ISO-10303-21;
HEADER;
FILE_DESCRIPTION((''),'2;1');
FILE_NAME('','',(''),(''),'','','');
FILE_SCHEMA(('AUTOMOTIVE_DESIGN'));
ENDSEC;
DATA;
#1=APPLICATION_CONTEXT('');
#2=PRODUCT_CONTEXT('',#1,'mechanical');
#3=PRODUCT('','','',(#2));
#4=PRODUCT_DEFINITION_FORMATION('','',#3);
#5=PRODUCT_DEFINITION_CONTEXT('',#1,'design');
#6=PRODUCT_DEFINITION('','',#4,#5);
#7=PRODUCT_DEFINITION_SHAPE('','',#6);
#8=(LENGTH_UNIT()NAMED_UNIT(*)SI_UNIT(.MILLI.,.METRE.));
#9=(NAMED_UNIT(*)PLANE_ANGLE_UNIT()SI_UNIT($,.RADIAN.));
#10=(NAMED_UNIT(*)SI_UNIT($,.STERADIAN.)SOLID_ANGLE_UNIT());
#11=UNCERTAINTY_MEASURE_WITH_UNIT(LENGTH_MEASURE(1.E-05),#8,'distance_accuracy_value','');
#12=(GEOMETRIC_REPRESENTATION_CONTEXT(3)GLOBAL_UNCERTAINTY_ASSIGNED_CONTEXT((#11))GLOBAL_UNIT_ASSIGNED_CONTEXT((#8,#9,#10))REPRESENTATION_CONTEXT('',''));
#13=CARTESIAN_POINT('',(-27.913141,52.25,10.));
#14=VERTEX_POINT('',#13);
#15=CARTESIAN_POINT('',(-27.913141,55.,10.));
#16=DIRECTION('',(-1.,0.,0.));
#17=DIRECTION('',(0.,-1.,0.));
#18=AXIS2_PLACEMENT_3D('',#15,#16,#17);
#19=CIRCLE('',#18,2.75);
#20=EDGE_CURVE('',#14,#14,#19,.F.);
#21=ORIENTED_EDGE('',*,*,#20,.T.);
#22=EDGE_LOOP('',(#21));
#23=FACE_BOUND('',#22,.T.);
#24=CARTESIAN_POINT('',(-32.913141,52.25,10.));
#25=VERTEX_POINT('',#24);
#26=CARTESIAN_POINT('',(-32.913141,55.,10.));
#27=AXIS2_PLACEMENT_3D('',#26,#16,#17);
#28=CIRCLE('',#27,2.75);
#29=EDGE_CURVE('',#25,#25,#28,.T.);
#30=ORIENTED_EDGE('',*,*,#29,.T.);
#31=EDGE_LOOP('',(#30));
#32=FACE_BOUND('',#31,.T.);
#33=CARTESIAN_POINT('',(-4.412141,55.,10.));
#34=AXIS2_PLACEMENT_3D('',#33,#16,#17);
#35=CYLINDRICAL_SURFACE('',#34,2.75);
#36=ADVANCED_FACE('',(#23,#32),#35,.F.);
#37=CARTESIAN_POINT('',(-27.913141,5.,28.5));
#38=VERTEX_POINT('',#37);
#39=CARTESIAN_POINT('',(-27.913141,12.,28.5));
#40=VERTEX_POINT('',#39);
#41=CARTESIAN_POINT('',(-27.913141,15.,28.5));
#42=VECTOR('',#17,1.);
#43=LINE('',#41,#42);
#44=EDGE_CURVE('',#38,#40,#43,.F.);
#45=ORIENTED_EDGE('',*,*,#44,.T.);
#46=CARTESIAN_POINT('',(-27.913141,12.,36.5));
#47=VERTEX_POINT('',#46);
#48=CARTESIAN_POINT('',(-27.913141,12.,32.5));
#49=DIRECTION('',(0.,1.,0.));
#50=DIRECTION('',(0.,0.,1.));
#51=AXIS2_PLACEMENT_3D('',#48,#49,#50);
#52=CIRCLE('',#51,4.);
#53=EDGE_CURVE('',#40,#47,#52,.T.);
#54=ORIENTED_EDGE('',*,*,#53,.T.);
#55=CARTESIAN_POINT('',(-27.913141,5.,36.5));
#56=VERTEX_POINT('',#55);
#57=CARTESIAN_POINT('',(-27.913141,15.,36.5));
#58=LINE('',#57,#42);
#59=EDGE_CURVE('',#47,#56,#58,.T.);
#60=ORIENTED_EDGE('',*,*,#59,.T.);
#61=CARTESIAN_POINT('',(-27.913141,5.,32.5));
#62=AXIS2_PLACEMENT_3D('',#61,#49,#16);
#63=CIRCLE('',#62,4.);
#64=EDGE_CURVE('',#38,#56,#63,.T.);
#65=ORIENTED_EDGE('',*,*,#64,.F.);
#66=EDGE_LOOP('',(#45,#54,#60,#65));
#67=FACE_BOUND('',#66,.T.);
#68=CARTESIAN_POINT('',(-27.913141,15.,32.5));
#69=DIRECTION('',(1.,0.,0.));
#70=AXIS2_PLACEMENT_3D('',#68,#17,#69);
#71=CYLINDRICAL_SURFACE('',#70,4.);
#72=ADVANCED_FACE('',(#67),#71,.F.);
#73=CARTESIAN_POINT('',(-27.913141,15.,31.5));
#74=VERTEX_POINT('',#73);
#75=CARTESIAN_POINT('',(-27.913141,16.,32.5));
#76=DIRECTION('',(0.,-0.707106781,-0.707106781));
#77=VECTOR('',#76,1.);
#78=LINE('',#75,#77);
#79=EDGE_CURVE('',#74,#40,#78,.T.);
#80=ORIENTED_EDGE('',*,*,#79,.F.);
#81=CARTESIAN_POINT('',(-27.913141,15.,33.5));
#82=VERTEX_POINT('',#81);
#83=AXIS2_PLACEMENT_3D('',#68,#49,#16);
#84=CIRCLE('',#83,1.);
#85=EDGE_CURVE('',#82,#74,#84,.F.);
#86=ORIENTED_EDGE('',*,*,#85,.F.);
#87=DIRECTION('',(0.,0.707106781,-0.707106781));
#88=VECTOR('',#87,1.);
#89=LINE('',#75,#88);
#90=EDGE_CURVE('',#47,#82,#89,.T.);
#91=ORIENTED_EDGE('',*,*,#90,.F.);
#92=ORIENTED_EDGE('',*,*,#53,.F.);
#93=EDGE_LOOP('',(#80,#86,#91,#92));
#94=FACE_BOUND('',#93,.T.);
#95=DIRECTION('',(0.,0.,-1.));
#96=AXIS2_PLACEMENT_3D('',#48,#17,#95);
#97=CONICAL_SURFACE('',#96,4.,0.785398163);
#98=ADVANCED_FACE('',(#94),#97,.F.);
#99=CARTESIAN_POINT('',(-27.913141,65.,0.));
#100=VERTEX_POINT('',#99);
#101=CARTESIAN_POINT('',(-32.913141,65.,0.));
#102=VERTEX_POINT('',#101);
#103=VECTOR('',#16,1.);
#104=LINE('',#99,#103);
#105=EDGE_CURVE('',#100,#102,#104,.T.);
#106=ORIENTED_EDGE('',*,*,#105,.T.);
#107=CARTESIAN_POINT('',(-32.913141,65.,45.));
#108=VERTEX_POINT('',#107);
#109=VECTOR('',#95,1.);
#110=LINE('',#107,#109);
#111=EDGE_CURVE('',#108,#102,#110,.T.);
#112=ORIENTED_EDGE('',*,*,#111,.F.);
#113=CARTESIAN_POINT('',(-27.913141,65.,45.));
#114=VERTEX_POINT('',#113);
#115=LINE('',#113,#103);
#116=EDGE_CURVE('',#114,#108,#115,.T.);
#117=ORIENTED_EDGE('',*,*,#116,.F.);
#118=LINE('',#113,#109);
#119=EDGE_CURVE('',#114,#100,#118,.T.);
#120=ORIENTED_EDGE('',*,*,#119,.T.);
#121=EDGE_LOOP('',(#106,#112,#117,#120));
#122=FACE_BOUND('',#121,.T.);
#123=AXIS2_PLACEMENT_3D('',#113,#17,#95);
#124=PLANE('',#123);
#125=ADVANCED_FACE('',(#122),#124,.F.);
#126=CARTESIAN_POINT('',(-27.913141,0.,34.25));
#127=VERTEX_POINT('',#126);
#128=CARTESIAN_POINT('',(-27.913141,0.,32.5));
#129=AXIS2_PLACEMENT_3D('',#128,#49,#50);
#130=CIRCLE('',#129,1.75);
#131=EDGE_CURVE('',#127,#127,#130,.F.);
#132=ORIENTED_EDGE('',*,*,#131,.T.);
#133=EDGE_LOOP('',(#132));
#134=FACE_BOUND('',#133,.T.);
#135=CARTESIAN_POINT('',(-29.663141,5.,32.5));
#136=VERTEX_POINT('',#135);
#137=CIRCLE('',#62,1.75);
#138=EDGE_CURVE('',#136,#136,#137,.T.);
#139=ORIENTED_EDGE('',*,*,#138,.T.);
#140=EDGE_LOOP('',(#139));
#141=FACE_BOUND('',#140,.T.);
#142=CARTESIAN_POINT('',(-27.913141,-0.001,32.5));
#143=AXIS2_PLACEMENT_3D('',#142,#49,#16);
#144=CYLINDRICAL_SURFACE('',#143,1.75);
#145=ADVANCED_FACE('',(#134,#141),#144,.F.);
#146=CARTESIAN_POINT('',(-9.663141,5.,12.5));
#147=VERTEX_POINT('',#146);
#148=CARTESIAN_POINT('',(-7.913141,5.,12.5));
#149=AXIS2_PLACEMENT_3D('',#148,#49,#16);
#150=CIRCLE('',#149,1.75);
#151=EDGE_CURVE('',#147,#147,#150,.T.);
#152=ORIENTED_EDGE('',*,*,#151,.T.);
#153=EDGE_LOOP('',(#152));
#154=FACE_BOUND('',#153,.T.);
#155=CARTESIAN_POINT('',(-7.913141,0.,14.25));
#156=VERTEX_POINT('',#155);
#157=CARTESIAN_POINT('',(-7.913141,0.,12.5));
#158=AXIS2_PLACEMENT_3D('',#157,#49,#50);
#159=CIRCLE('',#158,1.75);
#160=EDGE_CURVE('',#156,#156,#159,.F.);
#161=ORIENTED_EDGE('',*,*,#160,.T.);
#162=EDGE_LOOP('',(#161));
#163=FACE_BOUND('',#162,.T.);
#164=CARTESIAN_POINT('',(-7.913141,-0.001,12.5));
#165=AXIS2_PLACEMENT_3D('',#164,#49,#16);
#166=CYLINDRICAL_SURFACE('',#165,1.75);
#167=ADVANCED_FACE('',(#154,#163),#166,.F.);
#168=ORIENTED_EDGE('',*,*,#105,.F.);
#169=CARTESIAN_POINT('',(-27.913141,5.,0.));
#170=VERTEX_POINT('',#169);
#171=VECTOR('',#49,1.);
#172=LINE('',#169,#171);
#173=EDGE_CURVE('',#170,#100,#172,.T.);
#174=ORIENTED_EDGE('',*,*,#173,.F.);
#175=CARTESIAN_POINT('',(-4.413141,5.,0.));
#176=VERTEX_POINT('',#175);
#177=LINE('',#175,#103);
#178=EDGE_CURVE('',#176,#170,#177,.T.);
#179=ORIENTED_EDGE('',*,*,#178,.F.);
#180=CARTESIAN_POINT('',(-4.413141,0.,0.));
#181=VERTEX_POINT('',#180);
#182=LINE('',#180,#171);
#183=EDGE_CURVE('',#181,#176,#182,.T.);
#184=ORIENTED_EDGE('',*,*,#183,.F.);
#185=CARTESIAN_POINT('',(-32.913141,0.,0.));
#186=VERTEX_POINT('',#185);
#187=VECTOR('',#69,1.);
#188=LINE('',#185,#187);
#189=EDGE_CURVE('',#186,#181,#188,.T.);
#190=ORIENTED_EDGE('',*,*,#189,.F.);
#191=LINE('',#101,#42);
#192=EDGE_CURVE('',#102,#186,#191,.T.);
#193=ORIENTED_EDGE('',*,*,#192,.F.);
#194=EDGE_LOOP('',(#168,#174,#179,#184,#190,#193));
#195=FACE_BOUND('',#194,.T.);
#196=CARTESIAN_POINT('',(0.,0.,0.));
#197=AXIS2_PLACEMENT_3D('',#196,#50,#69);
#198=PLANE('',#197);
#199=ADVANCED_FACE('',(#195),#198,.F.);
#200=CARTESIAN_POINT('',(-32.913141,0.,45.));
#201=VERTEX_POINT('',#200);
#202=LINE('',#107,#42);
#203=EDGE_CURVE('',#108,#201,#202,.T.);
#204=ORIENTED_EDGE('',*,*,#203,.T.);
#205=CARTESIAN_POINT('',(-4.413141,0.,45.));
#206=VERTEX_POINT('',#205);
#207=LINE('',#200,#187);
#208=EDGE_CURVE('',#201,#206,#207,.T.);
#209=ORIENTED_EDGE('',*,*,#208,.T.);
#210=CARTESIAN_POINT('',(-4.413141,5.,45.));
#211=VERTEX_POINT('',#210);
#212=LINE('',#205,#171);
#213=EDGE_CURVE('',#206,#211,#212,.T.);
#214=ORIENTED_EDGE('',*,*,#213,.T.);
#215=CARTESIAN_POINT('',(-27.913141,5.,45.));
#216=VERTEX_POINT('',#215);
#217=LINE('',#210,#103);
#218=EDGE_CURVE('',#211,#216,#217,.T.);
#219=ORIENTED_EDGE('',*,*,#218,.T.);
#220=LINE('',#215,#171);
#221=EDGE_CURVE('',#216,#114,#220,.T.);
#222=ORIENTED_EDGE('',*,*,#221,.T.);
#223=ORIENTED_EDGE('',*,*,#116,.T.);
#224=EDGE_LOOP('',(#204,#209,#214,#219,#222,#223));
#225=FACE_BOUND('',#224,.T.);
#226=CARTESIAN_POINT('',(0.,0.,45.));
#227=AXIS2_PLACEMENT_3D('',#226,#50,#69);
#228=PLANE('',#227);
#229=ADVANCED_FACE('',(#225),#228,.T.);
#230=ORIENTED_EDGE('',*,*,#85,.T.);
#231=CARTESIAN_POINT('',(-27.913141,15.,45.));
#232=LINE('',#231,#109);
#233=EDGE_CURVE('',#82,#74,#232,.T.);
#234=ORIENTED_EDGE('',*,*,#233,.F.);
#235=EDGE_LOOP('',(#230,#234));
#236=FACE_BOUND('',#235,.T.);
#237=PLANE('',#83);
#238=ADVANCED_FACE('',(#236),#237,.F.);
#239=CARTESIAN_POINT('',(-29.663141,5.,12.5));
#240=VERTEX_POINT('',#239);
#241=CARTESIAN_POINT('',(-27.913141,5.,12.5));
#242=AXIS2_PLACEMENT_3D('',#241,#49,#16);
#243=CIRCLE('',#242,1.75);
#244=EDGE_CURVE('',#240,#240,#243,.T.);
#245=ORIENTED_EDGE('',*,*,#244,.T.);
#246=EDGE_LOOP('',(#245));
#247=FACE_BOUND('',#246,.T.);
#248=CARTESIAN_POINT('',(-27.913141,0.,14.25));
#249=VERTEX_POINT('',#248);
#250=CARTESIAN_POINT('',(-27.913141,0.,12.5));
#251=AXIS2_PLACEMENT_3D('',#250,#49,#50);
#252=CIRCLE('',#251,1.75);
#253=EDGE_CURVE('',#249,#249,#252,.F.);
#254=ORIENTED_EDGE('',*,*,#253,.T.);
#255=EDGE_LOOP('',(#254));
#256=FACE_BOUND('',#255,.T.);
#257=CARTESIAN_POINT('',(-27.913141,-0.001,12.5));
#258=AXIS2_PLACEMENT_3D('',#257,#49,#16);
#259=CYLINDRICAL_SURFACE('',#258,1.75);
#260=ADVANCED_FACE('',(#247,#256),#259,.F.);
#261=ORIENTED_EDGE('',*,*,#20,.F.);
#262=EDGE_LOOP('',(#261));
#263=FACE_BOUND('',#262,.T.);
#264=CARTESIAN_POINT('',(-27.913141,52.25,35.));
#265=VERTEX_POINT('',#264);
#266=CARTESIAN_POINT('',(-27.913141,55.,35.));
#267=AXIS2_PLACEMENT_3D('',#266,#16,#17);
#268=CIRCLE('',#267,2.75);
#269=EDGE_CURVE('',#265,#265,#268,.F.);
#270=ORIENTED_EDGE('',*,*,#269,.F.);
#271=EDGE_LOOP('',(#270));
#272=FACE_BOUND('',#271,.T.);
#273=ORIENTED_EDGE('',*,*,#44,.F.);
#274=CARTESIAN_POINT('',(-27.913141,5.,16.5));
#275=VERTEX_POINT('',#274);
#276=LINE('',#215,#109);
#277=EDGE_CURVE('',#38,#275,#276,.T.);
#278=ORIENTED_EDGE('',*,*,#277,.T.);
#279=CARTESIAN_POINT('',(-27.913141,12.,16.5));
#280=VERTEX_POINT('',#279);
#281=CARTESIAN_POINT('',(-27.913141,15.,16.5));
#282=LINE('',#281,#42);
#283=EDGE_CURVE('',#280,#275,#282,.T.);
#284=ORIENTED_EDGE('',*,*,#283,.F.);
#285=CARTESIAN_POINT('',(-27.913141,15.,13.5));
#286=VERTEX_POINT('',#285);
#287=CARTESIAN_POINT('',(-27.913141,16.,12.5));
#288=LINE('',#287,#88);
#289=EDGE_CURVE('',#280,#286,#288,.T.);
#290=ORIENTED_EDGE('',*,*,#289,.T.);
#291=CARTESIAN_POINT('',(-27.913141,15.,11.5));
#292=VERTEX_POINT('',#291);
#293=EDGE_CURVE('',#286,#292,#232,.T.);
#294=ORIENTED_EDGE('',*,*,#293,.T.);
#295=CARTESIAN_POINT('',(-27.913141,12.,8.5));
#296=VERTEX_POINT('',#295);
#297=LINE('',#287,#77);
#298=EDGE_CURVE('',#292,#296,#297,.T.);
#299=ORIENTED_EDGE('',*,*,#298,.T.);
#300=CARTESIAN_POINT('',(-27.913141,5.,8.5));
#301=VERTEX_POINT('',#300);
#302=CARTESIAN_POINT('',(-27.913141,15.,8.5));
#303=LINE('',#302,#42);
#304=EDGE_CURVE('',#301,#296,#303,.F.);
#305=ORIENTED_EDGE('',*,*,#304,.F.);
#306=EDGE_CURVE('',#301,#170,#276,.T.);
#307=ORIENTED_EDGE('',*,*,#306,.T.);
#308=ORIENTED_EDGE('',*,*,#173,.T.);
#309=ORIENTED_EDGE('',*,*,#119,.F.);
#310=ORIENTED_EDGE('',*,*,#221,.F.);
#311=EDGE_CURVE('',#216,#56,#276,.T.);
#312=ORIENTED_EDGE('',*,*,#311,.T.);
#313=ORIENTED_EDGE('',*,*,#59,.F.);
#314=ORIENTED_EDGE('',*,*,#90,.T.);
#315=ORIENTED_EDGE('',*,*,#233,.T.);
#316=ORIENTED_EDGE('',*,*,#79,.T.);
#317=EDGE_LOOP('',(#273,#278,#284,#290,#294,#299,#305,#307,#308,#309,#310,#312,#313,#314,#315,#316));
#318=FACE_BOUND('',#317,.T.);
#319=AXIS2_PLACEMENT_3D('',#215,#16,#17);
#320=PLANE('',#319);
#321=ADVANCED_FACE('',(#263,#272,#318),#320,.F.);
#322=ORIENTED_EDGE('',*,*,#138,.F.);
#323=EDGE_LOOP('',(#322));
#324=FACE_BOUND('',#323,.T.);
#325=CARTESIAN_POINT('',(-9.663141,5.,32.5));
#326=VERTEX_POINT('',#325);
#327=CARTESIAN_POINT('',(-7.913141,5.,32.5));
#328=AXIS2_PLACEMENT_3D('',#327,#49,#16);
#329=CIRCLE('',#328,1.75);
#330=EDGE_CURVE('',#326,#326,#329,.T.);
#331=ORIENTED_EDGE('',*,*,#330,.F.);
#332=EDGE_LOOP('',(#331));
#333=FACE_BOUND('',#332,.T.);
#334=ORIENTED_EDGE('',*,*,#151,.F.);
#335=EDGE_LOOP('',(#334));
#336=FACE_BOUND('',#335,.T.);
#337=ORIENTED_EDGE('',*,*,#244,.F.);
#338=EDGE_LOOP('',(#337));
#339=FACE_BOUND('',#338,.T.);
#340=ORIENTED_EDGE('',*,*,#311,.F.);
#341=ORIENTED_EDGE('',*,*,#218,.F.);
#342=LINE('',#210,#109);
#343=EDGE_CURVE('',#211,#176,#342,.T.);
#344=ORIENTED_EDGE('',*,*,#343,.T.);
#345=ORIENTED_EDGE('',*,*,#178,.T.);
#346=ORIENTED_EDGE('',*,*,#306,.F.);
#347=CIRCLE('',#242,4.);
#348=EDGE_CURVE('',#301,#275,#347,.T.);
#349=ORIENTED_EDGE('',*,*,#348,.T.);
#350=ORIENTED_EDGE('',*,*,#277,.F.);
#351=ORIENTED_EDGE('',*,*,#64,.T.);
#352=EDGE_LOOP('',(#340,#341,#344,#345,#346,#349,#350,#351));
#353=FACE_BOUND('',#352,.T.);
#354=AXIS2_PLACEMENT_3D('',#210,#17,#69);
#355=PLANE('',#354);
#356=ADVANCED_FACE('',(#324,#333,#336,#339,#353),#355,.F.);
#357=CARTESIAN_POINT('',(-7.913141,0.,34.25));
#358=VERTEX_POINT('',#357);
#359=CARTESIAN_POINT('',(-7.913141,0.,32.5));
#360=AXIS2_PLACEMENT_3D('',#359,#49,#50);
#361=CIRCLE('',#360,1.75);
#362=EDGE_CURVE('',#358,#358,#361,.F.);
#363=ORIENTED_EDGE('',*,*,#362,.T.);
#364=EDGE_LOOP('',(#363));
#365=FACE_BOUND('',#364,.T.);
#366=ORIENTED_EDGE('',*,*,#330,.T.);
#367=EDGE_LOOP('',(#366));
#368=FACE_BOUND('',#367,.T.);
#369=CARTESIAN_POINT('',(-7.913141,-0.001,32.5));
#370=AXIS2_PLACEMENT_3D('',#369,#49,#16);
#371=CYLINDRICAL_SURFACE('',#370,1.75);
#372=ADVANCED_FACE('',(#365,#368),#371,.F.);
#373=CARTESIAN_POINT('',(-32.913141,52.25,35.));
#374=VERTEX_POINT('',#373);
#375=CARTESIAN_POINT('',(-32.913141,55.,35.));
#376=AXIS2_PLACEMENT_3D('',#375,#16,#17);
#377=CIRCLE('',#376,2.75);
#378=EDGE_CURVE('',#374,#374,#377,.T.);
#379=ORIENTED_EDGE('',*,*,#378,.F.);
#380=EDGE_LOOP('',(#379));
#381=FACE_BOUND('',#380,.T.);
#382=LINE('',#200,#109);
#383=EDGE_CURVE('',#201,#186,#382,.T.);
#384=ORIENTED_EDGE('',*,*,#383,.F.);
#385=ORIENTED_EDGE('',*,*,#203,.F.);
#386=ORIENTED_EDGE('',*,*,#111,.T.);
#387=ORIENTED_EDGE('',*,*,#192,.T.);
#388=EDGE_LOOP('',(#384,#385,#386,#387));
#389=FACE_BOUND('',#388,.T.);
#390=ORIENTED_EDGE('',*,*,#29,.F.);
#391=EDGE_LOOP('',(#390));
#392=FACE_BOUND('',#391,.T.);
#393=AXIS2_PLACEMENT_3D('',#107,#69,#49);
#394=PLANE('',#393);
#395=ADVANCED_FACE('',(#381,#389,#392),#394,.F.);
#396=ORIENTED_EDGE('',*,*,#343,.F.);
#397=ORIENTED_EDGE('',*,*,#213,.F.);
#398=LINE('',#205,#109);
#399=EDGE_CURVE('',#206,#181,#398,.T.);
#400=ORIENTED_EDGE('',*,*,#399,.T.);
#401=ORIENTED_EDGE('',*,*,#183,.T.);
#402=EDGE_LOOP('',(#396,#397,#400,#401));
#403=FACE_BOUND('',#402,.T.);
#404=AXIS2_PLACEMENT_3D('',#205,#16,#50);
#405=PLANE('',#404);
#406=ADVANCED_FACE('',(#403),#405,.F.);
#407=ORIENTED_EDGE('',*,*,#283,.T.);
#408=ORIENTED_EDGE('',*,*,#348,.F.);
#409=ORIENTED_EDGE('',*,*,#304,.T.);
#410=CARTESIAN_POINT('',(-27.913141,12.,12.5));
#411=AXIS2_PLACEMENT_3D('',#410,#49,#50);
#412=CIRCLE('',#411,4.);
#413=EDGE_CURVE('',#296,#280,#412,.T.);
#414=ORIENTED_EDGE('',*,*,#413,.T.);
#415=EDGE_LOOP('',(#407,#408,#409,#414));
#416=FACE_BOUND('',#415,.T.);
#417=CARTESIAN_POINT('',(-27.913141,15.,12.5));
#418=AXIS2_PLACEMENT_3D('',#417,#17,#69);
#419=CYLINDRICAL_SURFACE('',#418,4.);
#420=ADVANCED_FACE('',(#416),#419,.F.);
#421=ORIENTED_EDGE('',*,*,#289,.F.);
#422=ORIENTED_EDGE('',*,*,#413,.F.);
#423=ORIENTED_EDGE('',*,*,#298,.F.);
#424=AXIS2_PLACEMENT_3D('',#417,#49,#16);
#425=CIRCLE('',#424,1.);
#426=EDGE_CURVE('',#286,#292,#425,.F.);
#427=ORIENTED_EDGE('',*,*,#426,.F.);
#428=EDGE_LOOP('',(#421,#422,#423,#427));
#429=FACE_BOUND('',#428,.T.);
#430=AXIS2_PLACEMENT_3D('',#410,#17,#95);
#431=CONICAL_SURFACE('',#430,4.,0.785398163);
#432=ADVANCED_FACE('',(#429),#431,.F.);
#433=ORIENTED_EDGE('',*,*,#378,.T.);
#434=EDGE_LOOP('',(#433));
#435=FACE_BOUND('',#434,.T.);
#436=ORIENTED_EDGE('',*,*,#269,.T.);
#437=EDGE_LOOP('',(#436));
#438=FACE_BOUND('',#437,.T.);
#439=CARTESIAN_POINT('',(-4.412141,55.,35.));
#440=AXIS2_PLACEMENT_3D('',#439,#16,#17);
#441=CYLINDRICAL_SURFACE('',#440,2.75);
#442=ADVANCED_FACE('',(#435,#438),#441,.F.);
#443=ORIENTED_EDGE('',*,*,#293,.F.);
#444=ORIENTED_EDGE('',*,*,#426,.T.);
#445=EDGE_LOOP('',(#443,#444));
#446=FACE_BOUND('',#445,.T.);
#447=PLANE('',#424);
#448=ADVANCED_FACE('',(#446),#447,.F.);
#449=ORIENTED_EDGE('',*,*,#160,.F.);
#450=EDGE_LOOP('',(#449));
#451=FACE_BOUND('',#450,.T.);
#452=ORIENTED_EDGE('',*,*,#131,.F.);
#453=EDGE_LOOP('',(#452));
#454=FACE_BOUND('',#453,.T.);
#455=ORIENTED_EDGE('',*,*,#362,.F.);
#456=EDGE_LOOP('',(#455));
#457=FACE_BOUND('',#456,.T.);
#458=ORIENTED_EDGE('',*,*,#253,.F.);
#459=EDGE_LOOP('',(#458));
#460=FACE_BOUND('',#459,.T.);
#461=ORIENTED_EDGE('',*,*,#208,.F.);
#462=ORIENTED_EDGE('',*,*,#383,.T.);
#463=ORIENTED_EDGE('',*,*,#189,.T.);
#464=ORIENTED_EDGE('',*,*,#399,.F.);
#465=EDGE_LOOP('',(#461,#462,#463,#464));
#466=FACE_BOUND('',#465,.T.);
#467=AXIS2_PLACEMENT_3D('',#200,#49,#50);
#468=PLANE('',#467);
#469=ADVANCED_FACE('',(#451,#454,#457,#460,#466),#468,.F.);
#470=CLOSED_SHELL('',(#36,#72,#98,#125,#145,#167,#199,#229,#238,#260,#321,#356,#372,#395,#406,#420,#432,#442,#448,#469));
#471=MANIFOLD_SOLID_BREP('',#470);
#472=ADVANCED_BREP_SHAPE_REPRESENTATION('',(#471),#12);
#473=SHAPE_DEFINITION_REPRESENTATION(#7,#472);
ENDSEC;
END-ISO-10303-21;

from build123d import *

# Parameters (mm, degrees)
BOSS_EXTRU_1_DEPTH      = 45
ENL_V_MAT_EXTRU_1_REACH = 83.904
ESQUISSE2_R             = 1.75
ENL_V_MAT_EXTRU_2_REACH = 86.037
ESQUISSE3_R             = 2.75
ESQUISSE4_R             = 4
ENL_V_MAT_EXTRU_3_DEPTH = 10
CHANFREIN1_SIZE         = 3


with BuildPart() as part:
    # Esquisse1 → Boss.-Extru.1 (new body)
    with BuildSketch(Plane.XY):
        Polygon((-32.913141208, 0), (-4.413141208, 0), (-4.413141208, 5), (-27.913141208, 5), (-27.913141208, 65), (-32.913141208, 65), align=None)
    extrude(amount=BOSS_EXTRU_1_DEPTH)

    # Esquisse2 → Enlèv. mat.-Extru.1 (cut, up to next)
    with BuildSketch(Plane(origin=(0, 5, 0), x_dir=(1, 0, 0), z_dir=(0, 1, 0)), mode=Mode.PRIVATE) as enl_v_mat_extru_1_sk1:
        with Locations(Location((-27.913141208, -32.5, 0), (0, 0, 270))):
            Circle(ESQUISSE2_R)
    enl_v_mat_extru_1_tool1 = extrude(enl_v_mat_extru_1_sk1.sketch, amount=-ENL_V_MAT_EXTRU_1_REACH, mode=Mode.PRIVATE) & part.part
    # Esquisse2 → Enlèv. mat.-Extru.1 (cut, up to next)
    with BuildSketch(Plane(origin=(0, 5, 0), x_dir=(1, 0, 0), z_dir=(0, 1, 0)), mode=Mode.PRIVATE) as enl_v_mat_extru_1_sk2:
        with Locations(Location((-27.913141208, -12.5, 0), (0, 0, 270))):
            Circle(ESQUISSE2_R)
    enl_v_mat_extru_1_tool2 = extrude(enl_v_mat_extru_1_sk2.sketch, amount=-ENL_V_MAT_EXTRU_1_REACH, mode=Mode.PRIVATE) & part.part
    # Esquisse2 → Enlèv. mat.-Extru.1 (cut, up to next)
    with BuildSketch(Plane(origin=(0, 5, 0), x_dir=(1, 0, 0), z_dir=(0, 1, 0)), mode=Mode.PRIVATE) as enl_v_mat_extru_1_sk3:
        with Locations(Location((-7.913141208, -12.5, 0), (0, 0, 180))):
            Circle(ESQUISSE2_R)
    enl_v_mat_extru_1_tool3 = extrude(enl_v_mat_extru_1_sk3.sketch, amount=-ENL_V_MAT_EXTRU_1_REACH, mode=Mode.PRIVATE) & part.part
    # Esquisse2 → Enlèv. mat.-Extru.1 (cut, up to next)
    with BuildSketch(Plane(origin=(0, 5, 0), x_dir=(1, 0, 0), z_dir=(0, 1, 0)), mode=Mode.PRIVATE) as enl_v_mat_extru_1_sk4:
        with Locations(Location((-7.913141208, -32.5, 0), (0, 0, 180))):
            Circle(ESQUISSE2_R)
    enl_v_mat_extru_1_tool4 = extrude(enl_v_mat_extru_1_sk4.sketch, amount=-ENL_V_MAT_EXTRU_1_REACH, mode=Mode.PRIVATE) & part.part
    add(enl_v_mat_extru_1_tool1.solids().sort_by_distance((-27.913141, 5, 32.5))[0], mode=Mode.SUBTRACT)
    add(enl_v_mat_extru_1_tool2.solids().sort_by_distance((-27.913141, 5, 12.5))[0], mode=Mode.SUBTRACT)
    add(enl_v_mat_extru_1_tool3.solids().sort_by_distance((-7.913141, 5, 12.5))[0], mode=Mode.SUBTRACT)
    add(enl_v_mat_extru_1_tool4.solids().sort_by_distance((-7.913141, 5, 32.5))[0], mode=Mode.SUBTRACT)

    # Esquisse3 → Enlèv. mat.-Extru.2 (cut, up to next)
    with BuildSketch(Plane.ZY.offset(32.913141208), mode=Mode.PRIVATE) as enl_v_mat_extru_2_sk1:
        with Locations(Location((10, 55, 0), (0, 0, 270))):
            Circle(ESQUISSE3_R)
    enl_v_mat_extru_2_tool1 = extrude(enl_v_mat_extru_2_sk1.sketch, amount=-ENL_V_MAT_EXTRU_2_REACH, mode=Mode.PRIVATE) & part.part
    # Esquisse3 → Enlèv. mat.-Extru.2 (cut, up to next)
    with BuildSketch(Plane.ZY.offset(32.913141208), mode=Mode.PRIVATE) as enl_v_mat_extru_2_sk2:
        with Locations(Location((35, 55, 0), (0, 0, 270))):
            Circle(ESQUISSE3_R)
    enl_v_mat_extru_2_tool2 = extrude(enl_v_mat_extru_2_sk2.sketch, amount=-ENL_V_MAT_EXTRU_2_REACH, mode=Mode.PRIVATE) & part.part
    add(enl_v_mat_extru_2_tool1.solids().sort_by_distance((-32.913141, 55, 10))[0], mode=Mode.SUBTRACT)
    add(enl_v_mat_extru_2_tool2.solids().sort_by_distance((-32.913141, 55, 35))[0], mode=Mode.SUBTRACT)

    # Esquisse4 → Enlèv. mat.-Extru.3 (cut)
    with BuildSketch(Plane(origin=(0, 5, 0), x_dir=(1, 0, 0), z_dir=(0, 1, 0))):
        with Locations((-27.913141208, -32.5)):
            Circle(ESQUISSE4_R)
        with Locations((-27.913141208, -12.5)):
            Circle(ESQUISSE4_R)
    extrude(amount=ENL_V_MAT_EXTRU_3_DEPTH, mode=Mode.SUBTRACT)

    # Chanfrein1
    chanfrein1_edges = [part.edges().sort_by_distance(p)[0] for p in [
        (-31.913141208, 15, 32.5),
        (-31.913141208, 15, 12.5),
    ]]
    chamfer(chanfrein1_edges, length=CHANFREIN1_SIZE)


solid = part.part
